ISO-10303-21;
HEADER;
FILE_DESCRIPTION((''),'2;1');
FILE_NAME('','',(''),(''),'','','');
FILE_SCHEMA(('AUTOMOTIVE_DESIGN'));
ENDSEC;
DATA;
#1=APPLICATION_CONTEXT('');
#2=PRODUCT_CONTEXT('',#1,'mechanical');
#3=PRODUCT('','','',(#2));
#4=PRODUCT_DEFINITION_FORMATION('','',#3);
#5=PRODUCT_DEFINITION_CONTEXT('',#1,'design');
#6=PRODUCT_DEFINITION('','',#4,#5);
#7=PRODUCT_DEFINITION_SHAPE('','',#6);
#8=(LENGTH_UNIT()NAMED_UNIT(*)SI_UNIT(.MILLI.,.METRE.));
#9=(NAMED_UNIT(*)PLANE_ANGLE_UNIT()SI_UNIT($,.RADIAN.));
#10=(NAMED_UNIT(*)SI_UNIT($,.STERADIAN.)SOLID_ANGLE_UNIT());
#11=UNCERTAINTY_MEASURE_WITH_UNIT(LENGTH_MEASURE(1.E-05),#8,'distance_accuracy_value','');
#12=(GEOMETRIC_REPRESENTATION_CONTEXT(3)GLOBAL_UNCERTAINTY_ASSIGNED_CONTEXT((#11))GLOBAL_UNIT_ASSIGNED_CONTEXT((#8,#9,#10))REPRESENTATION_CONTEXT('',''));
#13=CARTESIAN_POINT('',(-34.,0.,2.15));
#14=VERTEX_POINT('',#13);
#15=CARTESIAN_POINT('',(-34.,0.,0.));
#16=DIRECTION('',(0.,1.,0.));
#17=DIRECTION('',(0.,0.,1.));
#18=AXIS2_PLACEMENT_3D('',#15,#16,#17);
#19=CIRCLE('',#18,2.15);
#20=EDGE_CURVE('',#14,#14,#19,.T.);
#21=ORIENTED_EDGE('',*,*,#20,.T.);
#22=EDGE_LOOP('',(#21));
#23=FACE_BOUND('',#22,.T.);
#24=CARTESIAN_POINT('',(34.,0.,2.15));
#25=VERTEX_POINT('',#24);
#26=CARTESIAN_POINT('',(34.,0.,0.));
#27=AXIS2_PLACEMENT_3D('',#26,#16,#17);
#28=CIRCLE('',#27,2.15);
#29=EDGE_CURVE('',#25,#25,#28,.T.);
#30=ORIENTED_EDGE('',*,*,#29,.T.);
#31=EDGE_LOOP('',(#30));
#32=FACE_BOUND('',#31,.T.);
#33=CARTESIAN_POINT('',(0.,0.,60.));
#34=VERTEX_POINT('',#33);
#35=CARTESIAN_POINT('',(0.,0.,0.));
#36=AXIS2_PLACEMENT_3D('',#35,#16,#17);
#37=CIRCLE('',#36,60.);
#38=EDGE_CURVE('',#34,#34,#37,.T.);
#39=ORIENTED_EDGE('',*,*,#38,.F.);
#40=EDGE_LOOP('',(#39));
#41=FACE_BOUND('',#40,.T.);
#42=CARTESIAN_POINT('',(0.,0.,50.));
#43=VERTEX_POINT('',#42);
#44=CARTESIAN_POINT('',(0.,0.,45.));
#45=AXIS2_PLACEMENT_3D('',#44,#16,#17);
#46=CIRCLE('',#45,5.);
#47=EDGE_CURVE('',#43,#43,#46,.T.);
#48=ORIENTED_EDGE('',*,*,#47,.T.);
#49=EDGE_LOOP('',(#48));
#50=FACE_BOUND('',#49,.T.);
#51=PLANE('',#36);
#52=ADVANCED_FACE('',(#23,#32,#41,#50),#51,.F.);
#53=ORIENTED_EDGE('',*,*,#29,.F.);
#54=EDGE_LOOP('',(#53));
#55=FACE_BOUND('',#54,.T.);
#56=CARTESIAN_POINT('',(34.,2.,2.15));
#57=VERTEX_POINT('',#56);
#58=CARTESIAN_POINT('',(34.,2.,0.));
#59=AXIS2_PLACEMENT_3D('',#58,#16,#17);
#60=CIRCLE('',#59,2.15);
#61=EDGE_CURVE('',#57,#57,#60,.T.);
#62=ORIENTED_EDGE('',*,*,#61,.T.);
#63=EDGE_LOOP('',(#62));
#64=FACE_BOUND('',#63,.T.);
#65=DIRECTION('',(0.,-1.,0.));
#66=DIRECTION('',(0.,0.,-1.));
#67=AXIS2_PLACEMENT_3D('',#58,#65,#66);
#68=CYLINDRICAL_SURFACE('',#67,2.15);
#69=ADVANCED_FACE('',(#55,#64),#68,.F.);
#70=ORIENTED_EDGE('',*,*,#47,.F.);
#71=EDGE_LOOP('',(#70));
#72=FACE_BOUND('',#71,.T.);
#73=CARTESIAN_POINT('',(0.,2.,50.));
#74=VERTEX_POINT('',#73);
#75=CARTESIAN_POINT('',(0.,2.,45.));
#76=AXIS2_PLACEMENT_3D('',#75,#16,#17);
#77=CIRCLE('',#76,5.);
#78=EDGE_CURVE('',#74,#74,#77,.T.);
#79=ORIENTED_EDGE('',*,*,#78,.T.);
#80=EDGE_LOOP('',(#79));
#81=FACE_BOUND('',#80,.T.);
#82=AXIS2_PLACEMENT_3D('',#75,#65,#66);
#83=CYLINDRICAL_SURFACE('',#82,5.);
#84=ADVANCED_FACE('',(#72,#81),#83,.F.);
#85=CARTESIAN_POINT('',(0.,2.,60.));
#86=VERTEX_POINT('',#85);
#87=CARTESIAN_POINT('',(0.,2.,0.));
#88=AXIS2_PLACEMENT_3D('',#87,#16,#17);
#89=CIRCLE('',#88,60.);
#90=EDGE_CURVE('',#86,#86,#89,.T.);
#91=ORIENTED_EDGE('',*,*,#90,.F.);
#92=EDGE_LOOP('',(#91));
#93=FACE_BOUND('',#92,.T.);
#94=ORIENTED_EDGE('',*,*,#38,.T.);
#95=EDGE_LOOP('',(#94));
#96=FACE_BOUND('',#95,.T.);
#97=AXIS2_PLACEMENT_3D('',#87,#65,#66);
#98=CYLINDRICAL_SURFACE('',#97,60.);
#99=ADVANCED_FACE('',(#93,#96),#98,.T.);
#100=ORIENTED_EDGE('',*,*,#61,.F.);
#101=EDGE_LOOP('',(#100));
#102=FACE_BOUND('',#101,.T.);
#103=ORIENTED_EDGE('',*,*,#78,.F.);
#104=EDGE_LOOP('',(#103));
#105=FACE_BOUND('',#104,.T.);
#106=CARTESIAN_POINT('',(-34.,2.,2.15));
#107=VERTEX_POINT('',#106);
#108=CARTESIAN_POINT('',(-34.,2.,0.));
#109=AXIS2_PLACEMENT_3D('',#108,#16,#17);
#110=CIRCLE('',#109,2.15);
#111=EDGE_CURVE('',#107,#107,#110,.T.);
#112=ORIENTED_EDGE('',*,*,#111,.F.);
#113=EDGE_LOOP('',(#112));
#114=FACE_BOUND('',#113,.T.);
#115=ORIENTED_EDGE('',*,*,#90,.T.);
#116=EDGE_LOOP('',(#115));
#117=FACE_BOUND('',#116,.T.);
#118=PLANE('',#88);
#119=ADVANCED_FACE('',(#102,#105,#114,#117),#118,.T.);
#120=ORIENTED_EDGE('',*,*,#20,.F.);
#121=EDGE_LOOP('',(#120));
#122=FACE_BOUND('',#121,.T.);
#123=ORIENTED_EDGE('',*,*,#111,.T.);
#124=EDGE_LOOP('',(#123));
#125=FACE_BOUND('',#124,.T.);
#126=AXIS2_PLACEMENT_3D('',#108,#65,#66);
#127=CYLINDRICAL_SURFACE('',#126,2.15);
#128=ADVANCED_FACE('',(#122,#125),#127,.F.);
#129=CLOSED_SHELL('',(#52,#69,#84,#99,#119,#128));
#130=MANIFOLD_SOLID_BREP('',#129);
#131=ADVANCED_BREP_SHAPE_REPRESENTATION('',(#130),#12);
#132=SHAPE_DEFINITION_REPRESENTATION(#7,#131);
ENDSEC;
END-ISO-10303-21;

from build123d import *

# Parameters (mm, degrees)
SKETCH1_R           = 60
SKETCH1_R_2         = 2.15
SKETCH1_R_3         = 5
BOSS_EXTRUDE1_DEPTH = 2


with BuildPart() as part:
    # Sketch1 → Boss-Extrude1 (new body)
    with BuildSketch(Plane(origin=(0, 0, 0), x_dir=(1, 0, 0), z_dir=(0, 1, 0))):
        with Locations(Location((0, 0, 0), (0, 0, 270))):
            Circle(SKETCH1_R)
        with Locations(Location((-34, 0, 0), (0, 0, 270))):
            Circle(SKETCH1_R_2, mode=Mode.SUBTRACT)
        with Locations(Location((34, 0, 0), (0, 0, 270))):
            Circle(SKETCH1_R_2, mode=Mode.SUBTRACT)
        with Locations(Location((0, -45, 0), (0, 0, 270))):
            Circle(SKETCH1_R_3, mode=Mode.SUBTRACT)
    extrude(amount=BOSS_EXTRUDE1_DEPTH)


solid = part.part
